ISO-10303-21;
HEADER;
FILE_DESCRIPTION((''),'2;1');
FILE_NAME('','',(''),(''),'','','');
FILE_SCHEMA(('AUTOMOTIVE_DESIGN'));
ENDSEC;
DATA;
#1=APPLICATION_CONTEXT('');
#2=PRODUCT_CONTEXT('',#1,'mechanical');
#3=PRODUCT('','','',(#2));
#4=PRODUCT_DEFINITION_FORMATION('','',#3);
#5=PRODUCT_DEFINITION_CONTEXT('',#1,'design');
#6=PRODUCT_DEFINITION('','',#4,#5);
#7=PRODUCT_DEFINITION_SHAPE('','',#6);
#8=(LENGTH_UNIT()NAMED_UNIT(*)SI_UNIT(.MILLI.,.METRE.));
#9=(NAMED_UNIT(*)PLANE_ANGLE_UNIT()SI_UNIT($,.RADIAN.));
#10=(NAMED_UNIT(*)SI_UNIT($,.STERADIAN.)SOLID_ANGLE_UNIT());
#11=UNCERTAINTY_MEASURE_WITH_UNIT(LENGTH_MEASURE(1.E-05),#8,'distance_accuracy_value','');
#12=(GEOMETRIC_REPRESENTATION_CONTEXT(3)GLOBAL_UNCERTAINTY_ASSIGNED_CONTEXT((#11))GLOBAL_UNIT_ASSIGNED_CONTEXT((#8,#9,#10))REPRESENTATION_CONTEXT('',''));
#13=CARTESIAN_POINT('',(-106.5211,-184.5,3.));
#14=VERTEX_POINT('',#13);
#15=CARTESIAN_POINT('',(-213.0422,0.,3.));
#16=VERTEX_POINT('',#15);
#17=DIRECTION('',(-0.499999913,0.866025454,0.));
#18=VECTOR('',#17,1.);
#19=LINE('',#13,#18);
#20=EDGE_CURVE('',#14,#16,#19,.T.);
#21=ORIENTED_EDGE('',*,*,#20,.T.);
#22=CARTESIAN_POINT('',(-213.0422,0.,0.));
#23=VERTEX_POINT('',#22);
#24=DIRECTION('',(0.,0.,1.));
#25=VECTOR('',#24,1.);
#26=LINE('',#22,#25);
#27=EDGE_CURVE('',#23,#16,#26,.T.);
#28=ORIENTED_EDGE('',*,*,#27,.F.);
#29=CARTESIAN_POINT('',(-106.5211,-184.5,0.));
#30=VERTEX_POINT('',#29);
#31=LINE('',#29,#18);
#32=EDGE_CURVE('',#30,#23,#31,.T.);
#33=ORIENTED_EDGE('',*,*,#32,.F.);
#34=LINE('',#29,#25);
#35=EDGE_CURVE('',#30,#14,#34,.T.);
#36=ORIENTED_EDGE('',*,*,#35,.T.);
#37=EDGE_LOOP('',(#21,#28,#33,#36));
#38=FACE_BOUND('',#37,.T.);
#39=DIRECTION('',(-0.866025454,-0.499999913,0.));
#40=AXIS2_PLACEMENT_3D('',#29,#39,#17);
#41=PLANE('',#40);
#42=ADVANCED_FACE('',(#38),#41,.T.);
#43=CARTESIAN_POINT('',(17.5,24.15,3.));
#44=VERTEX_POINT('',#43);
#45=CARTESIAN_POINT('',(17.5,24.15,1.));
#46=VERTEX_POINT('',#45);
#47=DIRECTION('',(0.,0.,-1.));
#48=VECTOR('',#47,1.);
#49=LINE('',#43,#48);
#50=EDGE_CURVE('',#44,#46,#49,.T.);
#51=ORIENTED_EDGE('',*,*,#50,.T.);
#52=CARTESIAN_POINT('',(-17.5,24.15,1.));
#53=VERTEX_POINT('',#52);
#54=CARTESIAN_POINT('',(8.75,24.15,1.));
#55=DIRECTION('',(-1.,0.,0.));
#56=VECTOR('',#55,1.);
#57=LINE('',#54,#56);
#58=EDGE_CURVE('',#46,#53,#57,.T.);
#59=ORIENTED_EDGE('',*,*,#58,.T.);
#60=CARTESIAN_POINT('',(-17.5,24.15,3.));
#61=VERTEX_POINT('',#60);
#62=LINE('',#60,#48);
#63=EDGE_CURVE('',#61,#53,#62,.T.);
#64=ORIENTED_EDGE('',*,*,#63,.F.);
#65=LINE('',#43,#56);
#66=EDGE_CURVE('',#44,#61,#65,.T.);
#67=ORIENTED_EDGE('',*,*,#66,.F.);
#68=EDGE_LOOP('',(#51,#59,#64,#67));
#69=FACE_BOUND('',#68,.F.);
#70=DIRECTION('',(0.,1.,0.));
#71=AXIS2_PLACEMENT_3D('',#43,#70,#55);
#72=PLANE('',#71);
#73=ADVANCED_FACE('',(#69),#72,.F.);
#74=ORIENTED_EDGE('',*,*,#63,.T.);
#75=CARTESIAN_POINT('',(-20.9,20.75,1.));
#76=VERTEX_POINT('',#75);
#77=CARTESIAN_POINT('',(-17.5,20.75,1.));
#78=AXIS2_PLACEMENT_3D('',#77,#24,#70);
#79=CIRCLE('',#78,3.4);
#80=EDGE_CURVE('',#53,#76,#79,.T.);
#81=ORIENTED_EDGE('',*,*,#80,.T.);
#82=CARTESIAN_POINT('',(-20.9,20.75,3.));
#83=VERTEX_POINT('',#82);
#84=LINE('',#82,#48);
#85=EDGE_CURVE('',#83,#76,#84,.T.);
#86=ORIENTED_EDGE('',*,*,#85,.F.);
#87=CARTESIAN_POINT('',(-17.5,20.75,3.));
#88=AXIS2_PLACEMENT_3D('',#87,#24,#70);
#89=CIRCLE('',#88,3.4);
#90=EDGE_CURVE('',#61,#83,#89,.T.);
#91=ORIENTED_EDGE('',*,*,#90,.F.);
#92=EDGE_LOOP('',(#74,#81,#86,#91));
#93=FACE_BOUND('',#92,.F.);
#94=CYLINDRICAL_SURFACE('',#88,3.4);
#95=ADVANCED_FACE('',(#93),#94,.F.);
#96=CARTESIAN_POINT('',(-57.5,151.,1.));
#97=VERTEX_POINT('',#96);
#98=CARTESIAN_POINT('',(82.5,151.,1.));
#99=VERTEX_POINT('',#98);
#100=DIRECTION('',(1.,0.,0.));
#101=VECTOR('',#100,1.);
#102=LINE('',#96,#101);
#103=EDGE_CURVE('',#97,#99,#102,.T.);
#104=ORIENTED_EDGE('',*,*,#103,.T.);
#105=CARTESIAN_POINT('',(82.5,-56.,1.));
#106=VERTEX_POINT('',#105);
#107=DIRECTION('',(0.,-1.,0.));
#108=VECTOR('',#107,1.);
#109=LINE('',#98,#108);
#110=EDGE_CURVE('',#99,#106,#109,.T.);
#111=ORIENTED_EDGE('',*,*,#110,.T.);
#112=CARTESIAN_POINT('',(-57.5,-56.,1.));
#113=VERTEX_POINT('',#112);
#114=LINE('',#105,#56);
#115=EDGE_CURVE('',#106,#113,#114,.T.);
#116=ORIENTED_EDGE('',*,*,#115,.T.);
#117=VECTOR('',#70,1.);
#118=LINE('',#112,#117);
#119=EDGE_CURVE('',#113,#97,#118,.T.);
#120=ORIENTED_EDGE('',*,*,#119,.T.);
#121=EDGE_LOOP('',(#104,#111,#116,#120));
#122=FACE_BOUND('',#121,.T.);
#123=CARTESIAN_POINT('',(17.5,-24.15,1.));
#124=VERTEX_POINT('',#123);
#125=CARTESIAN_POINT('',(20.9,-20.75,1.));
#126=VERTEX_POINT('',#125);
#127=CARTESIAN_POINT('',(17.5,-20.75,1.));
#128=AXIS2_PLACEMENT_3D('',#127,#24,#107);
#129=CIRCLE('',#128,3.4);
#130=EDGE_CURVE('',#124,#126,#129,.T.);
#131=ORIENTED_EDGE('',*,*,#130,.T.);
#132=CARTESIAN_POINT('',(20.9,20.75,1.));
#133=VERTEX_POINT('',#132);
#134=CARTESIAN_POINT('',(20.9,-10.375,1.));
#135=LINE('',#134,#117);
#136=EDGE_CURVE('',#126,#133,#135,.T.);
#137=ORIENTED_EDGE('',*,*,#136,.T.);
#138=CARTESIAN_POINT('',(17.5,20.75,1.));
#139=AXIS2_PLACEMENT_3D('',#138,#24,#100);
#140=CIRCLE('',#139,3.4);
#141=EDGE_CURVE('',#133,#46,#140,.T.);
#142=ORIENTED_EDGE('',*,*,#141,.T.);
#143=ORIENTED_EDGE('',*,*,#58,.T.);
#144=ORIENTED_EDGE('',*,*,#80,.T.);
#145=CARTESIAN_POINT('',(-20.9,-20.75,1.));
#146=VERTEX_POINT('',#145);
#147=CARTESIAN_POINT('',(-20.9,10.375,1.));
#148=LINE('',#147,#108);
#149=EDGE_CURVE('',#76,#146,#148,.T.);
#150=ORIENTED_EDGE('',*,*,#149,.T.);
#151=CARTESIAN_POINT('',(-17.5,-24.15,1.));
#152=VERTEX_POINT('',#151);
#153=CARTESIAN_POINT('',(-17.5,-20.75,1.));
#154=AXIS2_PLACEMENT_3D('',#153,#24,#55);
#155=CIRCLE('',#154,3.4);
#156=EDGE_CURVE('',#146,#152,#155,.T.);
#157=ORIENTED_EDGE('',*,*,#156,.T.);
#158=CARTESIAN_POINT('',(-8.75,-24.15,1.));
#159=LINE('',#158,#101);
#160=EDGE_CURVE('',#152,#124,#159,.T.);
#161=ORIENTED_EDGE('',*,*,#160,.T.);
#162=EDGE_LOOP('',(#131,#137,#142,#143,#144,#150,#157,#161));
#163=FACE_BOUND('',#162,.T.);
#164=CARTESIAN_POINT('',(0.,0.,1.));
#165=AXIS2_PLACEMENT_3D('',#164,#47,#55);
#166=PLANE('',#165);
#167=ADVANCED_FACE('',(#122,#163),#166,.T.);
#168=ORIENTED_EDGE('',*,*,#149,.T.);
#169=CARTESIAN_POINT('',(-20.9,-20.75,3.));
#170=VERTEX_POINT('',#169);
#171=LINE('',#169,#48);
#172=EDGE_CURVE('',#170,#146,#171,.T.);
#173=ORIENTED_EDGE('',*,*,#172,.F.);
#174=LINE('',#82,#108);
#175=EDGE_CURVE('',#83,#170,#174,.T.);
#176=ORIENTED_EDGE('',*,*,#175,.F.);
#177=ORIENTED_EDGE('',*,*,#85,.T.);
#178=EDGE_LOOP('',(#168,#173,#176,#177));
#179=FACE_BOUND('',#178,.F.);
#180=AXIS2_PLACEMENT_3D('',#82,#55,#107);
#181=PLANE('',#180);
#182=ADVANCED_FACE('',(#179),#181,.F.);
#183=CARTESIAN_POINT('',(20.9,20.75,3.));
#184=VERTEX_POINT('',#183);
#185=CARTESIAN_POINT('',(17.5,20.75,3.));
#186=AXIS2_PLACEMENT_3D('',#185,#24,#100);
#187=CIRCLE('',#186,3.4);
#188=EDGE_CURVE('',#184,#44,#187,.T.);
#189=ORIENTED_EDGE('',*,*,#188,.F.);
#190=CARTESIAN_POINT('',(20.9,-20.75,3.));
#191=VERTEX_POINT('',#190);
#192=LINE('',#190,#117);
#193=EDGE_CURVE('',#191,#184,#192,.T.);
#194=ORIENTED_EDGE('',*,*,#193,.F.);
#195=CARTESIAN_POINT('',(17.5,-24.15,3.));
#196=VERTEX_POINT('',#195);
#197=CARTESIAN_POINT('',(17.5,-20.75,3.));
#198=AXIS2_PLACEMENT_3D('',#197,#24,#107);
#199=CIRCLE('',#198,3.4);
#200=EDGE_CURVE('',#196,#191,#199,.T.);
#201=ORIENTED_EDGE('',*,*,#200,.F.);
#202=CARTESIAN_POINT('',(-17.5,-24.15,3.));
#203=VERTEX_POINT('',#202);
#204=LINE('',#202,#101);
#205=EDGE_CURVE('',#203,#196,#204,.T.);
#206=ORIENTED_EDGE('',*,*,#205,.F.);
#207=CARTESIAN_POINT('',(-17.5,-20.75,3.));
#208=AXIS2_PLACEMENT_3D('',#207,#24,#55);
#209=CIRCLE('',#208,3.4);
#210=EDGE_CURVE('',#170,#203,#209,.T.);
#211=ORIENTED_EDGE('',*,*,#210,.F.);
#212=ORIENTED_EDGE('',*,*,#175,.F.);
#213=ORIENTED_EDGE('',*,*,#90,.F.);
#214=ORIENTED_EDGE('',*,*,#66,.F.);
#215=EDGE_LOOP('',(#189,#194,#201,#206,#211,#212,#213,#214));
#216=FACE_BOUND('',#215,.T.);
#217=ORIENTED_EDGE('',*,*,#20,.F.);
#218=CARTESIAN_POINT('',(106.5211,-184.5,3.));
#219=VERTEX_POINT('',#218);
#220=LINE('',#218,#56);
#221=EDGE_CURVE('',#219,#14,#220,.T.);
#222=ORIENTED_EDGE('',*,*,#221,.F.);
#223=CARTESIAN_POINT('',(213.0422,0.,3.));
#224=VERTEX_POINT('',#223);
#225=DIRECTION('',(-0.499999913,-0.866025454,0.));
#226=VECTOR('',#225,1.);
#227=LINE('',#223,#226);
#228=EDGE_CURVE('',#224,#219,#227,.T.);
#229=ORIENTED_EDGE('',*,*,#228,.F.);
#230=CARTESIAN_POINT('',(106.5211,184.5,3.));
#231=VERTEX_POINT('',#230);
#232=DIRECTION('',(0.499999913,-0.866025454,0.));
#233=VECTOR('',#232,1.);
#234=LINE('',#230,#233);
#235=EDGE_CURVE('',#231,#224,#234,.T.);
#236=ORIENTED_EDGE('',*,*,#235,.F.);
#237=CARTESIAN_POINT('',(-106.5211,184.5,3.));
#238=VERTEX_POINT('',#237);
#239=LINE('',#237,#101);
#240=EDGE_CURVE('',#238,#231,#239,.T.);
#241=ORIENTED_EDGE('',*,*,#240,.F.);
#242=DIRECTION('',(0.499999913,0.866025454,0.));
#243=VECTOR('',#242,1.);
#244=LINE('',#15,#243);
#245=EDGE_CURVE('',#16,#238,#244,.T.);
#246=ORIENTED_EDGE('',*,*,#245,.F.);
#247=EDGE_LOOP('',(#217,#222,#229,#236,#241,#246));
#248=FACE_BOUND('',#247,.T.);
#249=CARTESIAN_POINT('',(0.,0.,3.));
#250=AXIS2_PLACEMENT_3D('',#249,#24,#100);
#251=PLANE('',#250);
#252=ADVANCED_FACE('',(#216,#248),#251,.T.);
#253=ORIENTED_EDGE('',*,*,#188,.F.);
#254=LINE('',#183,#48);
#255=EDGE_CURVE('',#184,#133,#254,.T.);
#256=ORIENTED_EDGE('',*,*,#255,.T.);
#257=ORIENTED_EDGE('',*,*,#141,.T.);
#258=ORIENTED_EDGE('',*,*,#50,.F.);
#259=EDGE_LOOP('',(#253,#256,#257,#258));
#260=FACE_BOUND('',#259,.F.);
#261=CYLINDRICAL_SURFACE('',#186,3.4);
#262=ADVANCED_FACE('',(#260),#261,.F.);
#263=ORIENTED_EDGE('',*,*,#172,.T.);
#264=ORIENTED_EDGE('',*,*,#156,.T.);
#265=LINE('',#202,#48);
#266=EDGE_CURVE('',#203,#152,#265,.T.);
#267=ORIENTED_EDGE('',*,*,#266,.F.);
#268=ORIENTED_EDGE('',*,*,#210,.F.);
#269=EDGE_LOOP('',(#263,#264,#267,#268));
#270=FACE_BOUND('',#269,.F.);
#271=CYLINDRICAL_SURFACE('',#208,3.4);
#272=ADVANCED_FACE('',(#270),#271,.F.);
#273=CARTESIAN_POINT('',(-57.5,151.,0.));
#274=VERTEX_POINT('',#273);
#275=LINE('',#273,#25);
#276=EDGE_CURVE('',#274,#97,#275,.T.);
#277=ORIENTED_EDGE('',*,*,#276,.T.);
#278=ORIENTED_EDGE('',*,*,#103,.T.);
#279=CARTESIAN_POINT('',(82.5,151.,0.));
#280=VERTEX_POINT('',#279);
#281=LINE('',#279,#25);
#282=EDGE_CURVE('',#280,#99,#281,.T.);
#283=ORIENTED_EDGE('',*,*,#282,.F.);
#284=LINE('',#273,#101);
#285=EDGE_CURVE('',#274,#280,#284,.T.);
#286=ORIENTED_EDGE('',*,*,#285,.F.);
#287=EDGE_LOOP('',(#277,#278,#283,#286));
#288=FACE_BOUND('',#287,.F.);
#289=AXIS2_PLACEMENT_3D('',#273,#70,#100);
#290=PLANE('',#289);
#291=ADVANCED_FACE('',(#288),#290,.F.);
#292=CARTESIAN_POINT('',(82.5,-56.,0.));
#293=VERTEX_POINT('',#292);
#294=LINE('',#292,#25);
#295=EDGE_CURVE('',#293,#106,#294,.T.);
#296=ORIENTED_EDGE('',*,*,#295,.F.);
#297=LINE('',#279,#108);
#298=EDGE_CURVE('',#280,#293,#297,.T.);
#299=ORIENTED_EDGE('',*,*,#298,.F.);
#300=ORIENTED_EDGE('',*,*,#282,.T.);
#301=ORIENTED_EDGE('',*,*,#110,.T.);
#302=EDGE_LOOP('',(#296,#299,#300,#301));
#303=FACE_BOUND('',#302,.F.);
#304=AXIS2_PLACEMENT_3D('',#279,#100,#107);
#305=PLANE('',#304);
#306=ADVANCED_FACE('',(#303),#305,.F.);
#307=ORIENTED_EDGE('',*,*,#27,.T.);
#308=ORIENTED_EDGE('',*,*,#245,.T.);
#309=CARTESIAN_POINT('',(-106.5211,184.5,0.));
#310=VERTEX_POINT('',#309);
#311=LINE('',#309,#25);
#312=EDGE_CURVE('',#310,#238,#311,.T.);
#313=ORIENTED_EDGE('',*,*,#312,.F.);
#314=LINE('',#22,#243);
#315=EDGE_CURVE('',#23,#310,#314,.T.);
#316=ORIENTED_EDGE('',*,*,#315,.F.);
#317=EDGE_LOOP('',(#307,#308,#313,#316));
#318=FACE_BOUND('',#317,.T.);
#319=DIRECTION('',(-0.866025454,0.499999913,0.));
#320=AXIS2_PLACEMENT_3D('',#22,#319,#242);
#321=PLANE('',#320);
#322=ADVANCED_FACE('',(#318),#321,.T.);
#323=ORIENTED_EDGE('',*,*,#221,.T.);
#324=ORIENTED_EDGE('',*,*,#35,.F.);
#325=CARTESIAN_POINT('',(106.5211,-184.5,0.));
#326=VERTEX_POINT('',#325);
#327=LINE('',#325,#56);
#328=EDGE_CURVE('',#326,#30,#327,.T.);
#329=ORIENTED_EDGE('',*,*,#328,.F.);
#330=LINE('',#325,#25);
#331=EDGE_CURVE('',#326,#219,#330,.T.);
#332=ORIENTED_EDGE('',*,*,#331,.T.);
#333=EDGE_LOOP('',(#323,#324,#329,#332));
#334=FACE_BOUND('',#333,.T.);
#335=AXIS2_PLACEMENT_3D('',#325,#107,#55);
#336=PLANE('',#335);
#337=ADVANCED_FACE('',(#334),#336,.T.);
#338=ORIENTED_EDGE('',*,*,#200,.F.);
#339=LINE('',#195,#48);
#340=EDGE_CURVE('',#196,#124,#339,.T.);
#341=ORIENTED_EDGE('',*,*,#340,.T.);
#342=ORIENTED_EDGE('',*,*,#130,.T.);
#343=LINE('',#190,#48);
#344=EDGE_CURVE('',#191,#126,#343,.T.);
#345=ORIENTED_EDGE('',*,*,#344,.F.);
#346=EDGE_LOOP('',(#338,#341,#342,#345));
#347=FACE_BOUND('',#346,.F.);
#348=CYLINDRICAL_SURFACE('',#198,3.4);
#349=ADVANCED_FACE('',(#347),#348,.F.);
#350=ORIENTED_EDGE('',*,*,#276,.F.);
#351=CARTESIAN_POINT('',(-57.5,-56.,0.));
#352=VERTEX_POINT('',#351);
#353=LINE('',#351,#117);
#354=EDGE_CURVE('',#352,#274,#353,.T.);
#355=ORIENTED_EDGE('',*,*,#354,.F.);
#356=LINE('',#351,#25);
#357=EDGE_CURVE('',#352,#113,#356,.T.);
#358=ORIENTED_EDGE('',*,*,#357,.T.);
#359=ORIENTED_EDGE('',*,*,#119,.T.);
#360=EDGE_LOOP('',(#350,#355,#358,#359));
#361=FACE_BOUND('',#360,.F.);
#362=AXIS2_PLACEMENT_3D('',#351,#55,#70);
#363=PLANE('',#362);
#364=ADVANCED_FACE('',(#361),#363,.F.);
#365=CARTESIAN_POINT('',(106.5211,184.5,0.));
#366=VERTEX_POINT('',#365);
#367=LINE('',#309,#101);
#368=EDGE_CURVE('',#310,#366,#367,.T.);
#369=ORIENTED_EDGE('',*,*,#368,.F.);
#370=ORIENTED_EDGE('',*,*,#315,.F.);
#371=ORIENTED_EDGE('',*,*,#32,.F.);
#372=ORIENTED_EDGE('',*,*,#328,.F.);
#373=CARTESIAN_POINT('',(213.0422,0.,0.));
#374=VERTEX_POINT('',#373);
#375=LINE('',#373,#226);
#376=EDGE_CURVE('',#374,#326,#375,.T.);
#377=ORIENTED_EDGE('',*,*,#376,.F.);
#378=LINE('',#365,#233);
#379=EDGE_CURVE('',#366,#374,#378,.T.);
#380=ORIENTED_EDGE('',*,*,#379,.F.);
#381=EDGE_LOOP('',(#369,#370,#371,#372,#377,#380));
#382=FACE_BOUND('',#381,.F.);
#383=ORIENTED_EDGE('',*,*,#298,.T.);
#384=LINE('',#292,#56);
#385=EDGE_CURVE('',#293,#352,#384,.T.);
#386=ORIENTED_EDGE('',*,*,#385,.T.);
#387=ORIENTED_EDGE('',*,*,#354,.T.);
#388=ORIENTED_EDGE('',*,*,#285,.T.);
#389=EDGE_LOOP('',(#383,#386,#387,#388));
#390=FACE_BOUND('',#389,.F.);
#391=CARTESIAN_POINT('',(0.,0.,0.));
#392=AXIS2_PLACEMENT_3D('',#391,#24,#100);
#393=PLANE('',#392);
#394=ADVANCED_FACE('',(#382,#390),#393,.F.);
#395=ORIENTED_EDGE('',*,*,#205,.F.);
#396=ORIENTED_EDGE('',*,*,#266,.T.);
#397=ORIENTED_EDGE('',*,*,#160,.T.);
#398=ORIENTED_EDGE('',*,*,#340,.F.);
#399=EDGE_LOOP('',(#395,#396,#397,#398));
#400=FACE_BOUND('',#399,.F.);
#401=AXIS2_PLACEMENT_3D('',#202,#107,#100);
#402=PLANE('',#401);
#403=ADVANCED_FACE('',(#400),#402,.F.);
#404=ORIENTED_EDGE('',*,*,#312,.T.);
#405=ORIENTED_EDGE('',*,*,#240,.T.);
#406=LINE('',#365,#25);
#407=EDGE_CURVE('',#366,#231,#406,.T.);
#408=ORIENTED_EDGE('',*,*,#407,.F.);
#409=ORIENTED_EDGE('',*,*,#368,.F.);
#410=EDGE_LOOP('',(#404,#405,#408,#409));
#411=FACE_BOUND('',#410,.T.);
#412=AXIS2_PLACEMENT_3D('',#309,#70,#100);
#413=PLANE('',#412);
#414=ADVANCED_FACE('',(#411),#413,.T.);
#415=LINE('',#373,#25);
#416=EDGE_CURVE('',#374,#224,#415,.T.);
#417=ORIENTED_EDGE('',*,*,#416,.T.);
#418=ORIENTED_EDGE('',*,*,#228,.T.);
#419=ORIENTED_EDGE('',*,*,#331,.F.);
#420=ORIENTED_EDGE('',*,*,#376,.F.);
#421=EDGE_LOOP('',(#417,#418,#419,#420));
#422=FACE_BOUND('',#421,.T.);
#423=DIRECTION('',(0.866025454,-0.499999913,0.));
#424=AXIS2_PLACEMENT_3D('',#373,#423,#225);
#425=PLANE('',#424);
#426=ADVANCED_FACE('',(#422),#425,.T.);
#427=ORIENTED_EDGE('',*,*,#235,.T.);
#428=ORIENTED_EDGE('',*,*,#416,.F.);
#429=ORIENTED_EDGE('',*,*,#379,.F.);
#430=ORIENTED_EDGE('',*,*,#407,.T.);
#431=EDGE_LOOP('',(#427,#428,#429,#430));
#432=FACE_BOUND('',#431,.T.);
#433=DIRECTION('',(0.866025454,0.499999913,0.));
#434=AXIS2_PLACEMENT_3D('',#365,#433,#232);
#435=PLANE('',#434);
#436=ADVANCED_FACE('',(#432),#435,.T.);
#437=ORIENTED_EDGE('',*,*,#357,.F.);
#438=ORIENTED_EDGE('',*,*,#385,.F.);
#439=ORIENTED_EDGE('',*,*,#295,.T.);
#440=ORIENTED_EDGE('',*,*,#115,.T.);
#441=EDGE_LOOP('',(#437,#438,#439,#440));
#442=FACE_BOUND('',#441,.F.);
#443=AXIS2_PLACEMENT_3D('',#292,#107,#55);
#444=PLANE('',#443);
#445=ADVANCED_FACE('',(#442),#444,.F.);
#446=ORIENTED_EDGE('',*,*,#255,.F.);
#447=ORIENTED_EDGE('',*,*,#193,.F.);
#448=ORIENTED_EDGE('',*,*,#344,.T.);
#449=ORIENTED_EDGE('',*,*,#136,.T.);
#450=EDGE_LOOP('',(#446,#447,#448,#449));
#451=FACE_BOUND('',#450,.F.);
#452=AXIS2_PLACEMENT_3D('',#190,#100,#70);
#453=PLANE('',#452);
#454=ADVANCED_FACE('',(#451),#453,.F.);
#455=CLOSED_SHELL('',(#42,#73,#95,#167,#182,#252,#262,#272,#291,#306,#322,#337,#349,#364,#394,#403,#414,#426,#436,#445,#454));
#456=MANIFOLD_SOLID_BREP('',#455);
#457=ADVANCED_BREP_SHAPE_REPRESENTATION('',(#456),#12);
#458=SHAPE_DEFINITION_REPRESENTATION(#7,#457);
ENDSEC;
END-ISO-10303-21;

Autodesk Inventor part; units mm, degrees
ref_plane "YZ Plane" through (0, 0, 0) normal (1, 0, 0) x (0, 1, 0)
ref_plane "XZ Plane" through (0, 0, 0) normal (0, 1, 0) x (-1, 0, 0)
ref_plane "XY Plane" through (0, 0, 0) normal (0, 0, 1) x (1, 0, 0)
sketch "Sketch1" plane through (0, 0, 0) normal (0, 0, 1) x (1, 0, 0)
  line L0 (213.0422, 0) -> (106.5211, -184.5)
  line L1 (106.5211, -184.5) -> (-106.5211, -184.5)
  line L2 (-106.5211, -184.5) -> (-213.0422, 0)
  line L3 (-213.0422, 0) -> (-106.5211, 184.5)
  line L4 (-106.5211, 184.5) -> (106.5211, 184.5)
  line L5 (106.5211, 184.5) -> (213.0422, 0)
  point P0 (0, 0)
  point P1 (0, 0)
  dimension "d0" = 369
extrude "Extrusion1" add sketch "Sketch1" along normal blind 3
sketch "Sketch3" plane through (0, 0, 3) normal (0, 0, 1) x (1, 0, 0)
  line L0 (20.9, -20.75) -> (20.9, 20.75) projected
  arc A0 (17.5, -24.15) -> (20.9, -20.75) centre (17.5, -20.75) ccw projected
  line L1 (-17.5, -24.15) -> (17.5, -24.15) projected
  arc A1 (-20.9, -20.75) -> (-17.5, -24.15) centre (-17.5, -20.75) ccw projected
  line L2 (-20.9, 20.75) -> (-20.9, -20.75) projected
  arc A2 (-17.5, 24.15) -> (-20.9, 20.75) centre (-17.5, 20.75) ccw projected
  line L3 (17.5, 24.15) -> (-17.5, 24.15) projected
  arc A3 (20.9, 20.75) -> (17.5, 24.15) centre (17.5, 20.75) ccw projected
  line L4 (213.6196, 0) -> (106.8098, -185) projected
  line L5 (106.8098, 185) -> (213.6196, 0) projected
  line L6 (-106.8098, 185) -> (106.8098, 185) projected
  line L7 (-213.6196, 0) -> (-106.8098, 185) projected
  line L8 (-106.8098, -185) -> (-213.6196, 0) projected
  line L9 (106.8098, -185) -> (-106.8098, -185) projected
  point P0 (0, 0)
extrude "Extrusion2" cut sketch "Sketch3" against normal blind 3 contours A0 L1 A1 L2 A2 L3 A3 L0
sketch "Sketch4" plane through (0, 0, 0) normal (0, 0, -1) x (-1, 0, 0)
  line L0 (49.5995, 87.1474) -> (49.5995, -46.8) projected
  line L1 (48.3995, -48) -> (-73.3995, -48) projected
  line L2 (-74.5995, -46.8) -> (-74.5995, 87.1474) projected
  arc A0 (-39.8967, 142.8769) -> (-74.5995, 87.1474) centre (-12.5, 87.1474) ccw projected
  arc A1 (49.5995, 87.1474) -> (14.8967, 142.8769) centre (-12.5, 87.1474) ccw projected
  line L3 (-82.5, -56) -> (57.5, -56)
  line L4 (57.5, -56) -> (57.5, 151)
  line L5 (57.5, 151) -> (-82.5, 151)
  line L6 (-82.5, 151) -> (-82.5, -56)
  line L7 (-39.8967, 142.8769) -> (14.8967, 142.8769)
  point P0 (0, 0)
  dimension "d5" = 140
  dimension "d6" = 207
  dimension "d8" = 57.5
  dimension "d11" = 56
extrude "Extrusion3" cut sketch "Sketch4" against normal blind 1
properties part number "AEON.AcrylicTop"
